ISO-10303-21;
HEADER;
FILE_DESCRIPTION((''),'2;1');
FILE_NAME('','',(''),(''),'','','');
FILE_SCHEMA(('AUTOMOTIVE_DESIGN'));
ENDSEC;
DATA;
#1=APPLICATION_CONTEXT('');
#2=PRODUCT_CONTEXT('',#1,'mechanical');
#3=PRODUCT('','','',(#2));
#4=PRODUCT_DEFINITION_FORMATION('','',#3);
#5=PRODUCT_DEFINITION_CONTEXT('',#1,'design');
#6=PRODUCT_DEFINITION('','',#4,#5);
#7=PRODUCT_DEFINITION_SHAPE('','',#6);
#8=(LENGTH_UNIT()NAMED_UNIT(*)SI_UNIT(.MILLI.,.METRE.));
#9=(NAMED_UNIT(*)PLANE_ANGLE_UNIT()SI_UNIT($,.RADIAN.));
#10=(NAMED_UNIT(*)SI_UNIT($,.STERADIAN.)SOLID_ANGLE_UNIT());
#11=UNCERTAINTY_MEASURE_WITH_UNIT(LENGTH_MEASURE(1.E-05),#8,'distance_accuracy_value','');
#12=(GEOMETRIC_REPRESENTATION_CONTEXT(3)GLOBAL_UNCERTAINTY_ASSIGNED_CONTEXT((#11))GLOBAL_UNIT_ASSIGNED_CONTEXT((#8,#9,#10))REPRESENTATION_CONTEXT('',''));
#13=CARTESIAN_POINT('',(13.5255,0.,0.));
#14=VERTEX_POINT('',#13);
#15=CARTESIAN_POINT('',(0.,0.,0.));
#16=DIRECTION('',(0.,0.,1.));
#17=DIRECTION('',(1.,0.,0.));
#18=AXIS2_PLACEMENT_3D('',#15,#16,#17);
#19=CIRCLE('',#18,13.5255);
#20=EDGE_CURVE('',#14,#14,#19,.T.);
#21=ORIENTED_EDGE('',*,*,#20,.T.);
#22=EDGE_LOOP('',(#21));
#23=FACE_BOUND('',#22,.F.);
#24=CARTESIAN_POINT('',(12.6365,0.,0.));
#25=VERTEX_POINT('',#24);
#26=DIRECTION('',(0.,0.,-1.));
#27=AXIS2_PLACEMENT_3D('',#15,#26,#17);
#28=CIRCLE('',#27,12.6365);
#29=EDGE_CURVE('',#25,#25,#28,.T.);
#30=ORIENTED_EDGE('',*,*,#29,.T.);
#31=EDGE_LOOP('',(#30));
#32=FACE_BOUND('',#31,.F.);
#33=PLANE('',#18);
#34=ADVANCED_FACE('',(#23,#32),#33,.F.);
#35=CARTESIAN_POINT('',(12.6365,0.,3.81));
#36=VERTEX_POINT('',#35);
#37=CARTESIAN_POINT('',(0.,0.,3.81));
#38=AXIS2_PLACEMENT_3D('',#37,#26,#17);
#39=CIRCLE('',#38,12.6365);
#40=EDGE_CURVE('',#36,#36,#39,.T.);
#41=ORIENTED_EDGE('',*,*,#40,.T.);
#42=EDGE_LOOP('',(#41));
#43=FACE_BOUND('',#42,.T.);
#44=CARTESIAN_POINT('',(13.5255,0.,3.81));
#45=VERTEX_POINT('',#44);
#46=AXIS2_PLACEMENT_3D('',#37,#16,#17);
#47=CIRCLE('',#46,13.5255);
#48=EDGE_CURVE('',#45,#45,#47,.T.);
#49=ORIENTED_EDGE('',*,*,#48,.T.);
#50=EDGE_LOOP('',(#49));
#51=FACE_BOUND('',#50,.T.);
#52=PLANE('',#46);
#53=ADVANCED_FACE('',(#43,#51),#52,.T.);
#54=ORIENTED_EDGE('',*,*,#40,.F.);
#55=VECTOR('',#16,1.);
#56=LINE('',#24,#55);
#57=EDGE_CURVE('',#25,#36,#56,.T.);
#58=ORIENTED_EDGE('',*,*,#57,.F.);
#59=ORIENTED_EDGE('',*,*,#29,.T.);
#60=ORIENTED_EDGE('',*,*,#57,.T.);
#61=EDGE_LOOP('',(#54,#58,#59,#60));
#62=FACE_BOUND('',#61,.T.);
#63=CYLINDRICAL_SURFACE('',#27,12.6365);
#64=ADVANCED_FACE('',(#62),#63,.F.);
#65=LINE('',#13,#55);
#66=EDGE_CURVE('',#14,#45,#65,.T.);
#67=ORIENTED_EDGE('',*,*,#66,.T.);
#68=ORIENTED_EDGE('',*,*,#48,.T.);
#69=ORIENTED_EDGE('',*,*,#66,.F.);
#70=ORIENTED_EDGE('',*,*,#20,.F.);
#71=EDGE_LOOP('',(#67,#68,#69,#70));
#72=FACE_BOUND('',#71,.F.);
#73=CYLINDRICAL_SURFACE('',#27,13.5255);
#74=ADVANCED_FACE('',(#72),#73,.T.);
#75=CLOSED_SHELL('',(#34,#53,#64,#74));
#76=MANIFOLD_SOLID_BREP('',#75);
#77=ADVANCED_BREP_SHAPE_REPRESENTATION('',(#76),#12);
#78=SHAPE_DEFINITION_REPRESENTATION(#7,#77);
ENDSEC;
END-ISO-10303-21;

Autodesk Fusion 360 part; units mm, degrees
sketch "Sketch1" plane through (0, 0, 0) normal (0, 0, 1) x (1, 0, 0)
  circle A0 centre (0, 0) radius 13.5255
  dimension "d1" = 27.051
extrude "Extrude1" add sketch "Sketch1" along normal blind 3.81
shell "Shell1" thickness 0.889 removed faces 2 at (5.2851, -4.4959, 3.81) at (5.2851, -4.4959, 0)
